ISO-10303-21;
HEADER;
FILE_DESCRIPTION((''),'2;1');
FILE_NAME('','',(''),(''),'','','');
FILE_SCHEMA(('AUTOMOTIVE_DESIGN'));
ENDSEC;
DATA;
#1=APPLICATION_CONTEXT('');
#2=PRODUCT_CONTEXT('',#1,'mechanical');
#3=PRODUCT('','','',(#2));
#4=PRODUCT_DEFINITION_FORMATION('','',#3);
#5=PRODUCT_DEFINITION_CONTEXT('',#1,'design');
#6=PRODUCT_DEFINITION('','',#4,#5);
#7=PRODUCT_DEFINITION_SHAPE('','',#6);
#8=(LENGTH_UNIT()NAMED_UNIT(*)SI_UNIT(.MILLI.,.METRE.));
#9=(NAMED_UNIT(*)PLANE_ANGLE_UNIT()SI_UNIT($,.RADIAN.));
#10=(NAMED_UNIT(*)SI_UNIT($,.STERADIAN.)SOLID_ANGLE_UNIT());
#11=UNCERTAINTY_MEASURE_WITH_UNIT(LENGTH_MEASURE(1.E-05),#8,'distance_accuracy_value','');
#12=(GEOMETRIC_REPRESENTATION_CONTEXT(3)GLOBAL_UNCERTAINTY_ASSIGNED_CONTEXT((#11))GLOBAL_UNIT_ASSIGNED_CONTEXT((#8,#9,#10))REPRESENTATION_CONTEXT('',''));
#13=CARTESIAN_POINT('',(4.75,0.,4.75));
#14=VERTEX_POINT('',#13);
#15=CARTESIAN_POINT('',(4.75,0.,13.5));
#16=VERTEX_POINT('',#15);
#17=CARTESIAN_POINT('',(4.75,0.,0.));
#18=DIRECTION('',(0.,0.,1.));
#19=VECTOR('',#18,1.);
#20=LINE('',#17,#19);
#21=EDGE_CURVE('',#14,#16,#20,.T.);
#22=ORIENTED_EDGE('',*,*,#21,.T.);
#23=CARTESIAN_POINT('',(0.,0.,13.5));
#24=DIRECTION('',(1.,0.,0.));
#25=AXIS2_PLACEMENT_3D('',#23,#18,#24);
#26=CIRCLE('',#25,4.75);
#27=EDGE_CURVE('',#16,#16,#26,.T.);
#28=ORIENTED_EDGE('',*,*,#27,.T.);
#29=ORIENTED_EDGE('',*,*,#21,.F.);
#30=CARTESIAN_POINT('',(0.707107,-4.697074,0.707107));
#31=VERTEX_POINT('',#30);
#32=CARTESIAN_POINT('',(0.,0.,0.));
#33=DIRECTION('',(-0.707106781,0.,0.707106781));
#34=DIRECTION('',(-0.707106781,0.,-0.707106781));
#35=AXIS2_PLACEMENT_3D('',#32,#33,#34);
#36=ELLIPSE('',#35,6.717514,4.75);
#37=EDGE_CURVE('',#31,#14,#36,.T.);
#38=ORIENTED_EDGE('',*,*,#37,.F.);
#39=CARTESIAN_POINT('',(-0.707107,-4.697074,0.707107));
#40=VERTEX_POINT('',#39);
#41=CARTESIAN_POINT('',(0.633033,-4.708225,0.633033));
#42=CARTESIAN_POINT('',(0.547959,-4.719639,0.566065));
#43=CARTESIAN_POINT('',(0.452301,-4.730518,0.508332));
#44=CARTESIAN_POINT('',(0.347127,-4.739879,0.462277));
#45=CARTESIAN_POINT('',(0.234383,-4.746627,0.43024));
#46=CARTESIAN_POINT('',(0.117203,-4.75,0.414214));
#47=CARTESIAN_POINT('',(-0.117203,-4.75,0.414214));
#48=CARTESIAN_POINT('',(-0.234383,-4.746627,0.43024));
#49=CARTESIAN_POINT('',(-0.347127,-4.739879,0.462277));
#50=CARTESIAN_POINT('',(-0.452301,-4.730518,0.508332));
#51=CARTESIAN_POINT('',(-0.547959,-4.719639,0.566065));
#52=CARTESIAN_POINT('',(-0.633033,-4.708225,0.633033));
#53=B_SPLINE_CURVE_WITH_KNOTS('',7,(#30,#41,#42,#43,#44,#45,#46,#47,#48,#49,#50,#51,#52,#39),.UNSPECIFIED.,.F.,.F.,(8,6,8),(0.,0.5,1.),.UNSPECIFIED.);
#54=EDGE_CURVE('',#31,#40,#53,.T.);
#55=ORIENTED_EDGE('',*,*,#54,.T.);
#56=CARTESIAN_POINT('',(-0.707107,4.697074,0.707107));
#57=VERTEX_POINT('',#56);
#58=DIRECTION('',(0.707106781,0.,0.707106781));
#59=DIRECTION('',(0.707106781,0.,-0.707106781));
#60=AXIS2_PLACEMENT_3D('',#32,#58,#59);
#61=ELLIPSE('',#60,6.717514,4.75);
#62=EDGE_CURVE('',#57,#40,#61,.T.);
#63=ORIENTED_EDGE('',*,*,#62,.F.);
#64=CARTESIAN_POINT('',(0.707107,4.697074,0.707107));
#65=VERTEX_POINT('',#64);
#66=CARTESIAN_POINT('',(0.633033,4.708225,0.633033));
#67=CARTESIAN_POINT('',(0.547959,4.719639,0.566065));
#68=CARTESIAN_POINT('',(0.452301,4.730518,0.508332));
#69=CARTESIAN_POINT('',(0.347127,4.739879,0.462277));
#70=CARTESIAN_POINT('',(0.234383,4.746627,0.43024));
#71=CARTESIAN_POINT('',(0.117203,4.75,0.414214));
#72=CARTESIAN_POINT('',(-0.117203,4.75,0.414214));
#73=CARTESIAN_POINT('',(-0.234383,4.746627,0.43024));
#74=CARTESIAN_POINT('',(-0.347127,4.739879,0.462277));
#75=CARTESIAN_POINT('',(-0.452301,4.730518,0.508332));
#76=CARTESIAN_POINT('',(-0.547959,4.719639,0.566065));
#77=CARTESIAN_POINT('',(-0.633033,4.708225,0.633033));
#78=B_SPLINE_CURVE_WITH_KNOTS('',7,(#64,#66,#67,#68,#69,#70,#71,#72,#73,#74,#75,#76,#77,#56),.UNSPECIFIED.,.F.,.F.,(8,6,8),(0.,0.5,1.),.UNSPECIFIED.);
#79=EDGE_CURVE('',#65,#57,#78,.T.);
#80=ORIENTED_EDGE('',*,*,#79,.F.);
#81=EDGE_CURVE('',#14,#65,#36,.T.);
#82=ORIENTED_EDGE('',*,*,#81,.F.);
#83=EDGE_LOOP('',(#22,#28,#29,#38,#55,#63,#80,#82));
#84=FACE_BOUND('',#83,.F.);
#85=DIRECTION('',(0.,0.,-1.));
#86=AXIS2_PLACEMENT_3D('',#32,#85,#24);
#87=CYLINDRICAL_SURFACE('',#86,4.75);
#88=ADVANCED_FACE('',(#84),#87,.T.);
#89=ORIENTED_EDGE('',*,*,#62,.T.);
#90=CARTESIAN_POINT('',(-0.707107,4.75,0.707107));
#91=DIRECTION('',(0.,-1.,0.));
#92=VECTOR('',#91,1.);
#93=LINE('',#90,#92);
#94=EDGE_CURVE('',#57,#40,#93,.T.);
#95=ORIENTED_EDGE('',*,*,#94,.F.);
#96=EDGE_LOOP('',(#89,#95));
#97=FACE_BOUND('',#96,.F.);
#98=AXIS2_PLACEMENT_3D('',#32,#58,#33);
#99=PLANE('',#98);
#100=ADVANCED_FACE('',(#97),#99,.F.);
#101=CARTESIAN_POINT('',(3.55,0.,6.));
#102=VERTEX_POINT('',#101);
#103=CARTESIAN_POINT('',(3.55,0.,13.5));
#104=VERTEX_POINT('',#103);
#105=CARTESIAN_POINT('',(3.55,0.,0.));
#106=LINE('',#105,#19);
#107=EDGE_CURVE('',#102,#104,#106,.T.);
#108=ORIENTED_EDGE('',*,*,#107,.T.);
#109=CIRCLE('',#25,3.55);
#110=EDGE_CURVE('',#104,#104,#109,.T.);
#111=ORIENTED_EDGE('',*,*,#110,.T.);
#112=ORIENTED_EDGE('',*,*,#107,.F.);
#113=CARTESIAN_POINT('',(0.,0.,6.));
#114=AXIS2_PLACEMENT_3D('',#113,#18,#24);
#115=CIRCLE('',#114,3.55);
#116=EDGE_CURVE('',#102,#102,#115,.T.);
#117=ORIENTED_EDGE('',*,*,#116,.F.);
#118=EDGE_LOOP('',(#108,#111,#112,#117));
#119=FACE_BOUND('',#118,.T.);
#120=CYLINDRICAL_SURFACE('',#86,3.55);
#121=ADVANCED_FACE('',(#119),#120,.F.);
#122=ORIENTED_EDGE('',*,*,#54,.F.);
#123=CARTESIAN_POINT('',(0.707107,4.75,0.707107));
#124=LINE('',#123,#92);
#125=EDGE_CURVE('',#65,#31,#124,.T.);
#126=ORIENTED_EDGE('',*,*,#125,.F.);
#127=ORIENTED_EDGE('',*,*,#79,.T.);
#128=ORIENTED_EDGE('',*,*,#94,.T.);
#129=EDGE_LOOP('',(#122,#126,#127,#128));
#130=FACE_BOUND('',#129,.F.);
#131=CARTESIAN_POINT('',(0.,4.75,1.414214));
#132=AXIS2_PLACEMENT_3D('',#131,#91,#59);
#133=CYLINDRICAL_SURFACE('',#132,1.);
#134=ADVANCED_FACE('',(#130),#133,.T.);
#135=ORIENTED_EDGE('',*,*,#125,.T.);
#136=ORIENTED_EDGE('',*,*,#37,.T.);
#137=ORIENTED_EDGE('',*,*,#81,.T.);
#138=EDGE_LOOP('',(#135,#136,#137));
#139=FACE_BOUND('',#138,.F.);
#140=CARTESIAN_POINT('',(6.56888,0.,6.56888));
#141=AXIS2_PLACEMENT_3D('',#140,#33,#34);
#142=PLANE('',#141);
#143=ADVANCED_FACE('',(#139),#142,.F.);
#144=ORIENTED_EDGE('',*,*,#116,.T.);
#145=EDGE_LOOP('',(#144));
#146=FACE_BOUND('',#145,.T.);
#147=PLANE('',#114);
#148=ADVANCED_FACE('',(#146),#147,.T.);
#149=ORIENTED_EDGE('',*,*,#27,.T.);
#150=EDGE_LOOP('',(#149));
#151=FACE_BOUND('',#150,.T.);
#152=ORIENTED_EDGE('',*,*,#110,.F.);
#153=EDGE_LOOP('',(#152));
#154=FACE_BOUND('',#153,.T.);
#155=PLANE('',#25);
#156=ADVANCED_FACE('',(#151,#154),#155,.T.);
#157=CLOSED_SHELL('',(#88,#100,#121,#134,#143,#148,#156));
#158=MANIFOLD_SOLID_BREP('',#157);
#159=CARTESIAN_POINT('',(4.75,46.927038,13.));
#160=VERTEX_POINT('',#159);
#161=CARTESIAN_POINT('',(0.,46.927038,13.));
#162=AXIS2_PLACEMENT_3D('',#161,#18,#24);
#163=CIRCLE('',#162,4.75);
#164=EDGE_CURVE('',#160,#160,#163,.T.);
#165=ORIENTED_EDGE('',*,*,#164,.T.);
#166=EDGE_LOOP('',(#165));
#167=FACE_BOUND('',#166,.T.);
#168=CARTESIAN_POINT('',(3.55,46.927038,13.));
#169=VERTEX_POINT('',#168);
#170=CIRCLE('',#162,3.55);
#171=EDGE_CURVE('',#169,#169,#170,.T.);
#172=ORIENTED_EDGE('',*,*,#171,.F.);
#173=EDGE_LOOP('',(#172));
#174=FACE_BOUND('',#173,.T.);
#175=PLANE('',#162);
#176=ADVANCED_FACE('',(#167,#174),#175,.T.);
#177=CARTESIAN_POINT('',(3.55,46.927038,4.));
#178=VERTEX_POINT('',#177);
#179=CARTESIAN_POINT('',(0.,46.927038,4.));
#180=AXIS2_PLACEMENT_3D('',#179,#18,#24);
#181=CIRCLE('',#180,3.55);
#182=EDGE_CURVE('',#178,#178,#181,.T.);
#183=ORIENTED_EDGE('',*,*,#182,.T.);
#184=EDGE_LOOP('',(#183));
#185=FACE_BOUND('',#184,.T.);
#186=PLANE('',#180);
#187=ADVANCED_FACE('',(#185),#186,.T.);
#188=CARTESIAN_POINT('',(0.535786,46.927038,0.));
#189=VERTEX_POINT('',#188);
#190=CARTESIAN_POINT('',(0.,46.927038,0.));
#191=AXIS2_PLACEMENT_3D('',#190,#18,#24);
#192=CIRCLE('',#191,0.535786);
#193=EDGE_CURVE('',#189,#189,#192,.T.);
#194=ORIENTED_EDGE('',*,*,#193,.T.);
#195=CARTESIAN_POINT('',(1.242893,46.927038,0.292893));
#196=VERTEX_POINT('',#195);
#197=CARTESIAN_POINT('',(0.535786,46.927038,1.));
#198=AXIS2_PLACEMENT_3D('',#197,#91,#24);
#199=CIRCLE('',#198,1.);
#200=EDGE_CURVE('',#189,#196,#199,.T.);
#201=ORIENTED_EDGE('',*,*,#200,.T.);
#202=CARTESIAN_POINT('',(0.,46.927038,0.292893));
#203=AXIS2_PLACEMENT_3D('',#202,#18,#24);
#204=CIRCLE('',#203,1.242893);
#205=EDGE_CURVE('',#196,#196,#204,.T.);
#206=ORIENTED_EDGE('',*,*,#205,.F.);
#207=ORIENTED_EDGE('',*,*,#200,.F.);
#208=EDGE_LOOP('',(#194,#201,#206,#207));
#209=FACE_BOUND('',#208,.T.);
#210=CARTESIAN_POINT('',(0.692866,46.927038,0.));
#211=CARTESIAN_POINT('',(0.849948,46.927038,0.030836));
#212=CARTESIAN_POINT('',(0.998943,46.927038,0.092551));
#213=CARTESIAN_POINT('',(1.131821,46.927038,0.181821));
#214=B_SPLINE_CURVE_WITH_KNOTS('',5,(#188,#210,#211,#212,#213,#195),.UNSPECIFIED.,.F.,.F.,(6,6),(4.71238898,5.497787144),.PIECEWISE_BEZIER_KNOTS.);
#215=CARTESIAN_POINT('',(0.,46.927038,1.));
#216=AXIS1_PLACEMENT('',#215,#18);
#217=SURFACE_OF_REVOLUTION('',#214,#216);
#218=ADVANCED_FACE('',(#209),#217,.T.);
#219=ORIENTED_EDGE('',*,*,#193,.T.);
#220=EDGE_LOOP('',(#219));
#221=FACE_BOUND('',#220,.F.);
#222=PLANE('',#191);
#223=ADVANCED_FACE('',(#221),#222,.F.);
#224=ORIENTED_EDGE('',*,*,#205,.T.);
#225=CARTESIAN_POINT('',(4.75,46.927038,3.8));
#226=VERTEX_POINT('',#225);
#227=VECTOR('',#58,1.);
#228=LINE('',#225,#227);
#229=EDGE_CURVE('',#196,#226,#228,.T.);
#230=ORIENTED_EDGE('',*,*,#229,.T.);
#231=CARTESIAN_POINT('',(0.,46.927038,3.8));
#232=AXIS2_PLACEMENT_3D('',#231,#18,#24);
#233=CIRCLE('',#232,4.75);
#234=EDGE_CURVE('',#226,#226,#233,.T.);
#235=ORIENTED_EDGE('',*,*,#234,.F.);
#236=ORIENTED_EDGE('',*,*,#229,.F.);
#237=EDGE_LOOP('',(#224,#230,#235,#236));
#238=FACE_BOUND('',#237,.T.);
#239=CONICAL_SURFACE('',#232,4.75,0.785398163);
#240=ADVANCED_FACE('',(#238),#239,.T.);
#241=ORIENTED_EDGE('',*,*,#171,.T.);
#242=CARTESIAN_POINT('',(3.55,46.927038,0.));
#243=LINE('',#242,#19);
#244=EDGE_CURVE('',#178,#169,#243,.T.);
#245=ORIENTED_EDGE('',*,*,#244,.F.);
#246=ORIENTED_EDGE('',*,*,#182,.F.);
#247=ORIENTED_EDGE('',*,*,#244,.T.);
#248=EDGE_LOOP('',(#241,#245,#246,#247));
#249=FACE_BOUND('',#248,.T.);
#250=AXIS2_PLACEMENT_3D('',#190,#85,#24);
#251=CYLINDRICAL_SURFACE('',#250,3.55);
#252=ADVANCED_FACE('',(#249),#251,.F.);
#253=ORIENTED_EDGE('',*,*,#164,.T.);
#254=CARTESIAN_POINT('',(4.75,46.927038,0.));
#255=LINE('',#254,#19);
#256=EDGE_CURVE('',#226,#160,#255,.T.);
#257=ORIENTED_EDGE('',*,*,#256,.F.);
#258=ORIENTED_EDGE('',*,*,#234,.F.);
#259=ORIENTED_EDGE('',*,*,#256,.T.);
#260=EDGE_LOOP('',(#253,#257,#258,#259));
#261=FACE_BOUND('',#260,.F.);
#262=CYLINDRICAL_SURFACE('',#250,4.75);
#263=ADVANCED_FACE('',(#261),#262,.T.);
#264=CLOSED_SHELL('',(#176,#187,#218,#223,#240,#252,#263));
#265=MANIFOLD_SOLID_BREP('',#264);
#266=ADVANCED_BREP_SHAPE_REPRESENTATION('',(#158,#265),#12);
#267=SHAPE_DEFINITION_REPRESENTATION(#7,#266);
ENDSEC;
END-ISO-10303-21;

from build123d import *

# Parameters (mm, degrees)
F0_R     = 4.75
F0_R_2   = 3.55
F1_DEPTH = 13.5
F2_DEPTH = 6
F4_DEPTH = 12.5
F5_R     = 1
F6_R     = 4.75
F6_R_2   = 3.55
F7_DEPTH = 13
F8_DEPTH = 4
F9_SIZE  = 3.8
F10_R    = 1


with BuildPart() as f1:
    # F0 (on Top) → F1 (new body)
    with BuildSketch(Plane.XY):
        Circle(F0_R)
        Circle(F0_R_2, mode=Mode.SUBTRACT)
    extrude(amount=F1_DEPTH)

    # F0 (on Top) → F2 (join)
    with BuildSketch(Plane.XY):
        Circle(F0_R_2)
    extrude(amount=F2_DEPTH)

    # F3 (on Front) → F4 (cut, symmetric)
    with BuildSketch(Plane.XZ):
        Polygon((6.5688796352, 6.5688796352), (0, 0), (-5.8159730633, 5.8159730633), (-5.8159730633, -4.7987228955), (6.5688796352, -4.7987228955), align=None)
    extrude(amount=F4_DEPTH, both=True, mode=Mode.SUBTRACT)

    # F5
    f5_edges = [f1.edges().sort_by_distance(p)[0] for p in [
        (0, 0, 0),
    ]]
    fillet(f5_edges, radius=F5_R)


with BuildPart() as f7:
    # F6 (on Top) → F7 (new body)
    with BuildSketch(Plane.XY):
        with Locations((0, 46.9270383857)):
            Circle(F6_R)
        with Locations((0, 46.9270383857)):
            Circle(F6_R_2, mode=Mode.SUBTRACT)
    extrude(amount=F7_DEPTH)

    # F6 (on Top) → F8 (join)
    with BuildSketch(Plane.XY):
        with Locations((0, 46.9270383857)):
            Circle(F6_R_2)
    extrude(amount=F8_DEPTH)

    # F9
    f9_edges = [f7.edges().sort_by_distance(p)[0] for p in [
        (-4.75, 46.927038, 0),
    ]]
    chamfer(f9_edges, length=F9_SIZE)

    # F10
    f10_edges = [f7.edges().sort_by_distance(p)[0] for p in [
        (-0.95, 46.927038, 0),
    ]]
    fillet(f10_edges, radius=F10_R)


solid = Compound([f1.part, f7.part])
